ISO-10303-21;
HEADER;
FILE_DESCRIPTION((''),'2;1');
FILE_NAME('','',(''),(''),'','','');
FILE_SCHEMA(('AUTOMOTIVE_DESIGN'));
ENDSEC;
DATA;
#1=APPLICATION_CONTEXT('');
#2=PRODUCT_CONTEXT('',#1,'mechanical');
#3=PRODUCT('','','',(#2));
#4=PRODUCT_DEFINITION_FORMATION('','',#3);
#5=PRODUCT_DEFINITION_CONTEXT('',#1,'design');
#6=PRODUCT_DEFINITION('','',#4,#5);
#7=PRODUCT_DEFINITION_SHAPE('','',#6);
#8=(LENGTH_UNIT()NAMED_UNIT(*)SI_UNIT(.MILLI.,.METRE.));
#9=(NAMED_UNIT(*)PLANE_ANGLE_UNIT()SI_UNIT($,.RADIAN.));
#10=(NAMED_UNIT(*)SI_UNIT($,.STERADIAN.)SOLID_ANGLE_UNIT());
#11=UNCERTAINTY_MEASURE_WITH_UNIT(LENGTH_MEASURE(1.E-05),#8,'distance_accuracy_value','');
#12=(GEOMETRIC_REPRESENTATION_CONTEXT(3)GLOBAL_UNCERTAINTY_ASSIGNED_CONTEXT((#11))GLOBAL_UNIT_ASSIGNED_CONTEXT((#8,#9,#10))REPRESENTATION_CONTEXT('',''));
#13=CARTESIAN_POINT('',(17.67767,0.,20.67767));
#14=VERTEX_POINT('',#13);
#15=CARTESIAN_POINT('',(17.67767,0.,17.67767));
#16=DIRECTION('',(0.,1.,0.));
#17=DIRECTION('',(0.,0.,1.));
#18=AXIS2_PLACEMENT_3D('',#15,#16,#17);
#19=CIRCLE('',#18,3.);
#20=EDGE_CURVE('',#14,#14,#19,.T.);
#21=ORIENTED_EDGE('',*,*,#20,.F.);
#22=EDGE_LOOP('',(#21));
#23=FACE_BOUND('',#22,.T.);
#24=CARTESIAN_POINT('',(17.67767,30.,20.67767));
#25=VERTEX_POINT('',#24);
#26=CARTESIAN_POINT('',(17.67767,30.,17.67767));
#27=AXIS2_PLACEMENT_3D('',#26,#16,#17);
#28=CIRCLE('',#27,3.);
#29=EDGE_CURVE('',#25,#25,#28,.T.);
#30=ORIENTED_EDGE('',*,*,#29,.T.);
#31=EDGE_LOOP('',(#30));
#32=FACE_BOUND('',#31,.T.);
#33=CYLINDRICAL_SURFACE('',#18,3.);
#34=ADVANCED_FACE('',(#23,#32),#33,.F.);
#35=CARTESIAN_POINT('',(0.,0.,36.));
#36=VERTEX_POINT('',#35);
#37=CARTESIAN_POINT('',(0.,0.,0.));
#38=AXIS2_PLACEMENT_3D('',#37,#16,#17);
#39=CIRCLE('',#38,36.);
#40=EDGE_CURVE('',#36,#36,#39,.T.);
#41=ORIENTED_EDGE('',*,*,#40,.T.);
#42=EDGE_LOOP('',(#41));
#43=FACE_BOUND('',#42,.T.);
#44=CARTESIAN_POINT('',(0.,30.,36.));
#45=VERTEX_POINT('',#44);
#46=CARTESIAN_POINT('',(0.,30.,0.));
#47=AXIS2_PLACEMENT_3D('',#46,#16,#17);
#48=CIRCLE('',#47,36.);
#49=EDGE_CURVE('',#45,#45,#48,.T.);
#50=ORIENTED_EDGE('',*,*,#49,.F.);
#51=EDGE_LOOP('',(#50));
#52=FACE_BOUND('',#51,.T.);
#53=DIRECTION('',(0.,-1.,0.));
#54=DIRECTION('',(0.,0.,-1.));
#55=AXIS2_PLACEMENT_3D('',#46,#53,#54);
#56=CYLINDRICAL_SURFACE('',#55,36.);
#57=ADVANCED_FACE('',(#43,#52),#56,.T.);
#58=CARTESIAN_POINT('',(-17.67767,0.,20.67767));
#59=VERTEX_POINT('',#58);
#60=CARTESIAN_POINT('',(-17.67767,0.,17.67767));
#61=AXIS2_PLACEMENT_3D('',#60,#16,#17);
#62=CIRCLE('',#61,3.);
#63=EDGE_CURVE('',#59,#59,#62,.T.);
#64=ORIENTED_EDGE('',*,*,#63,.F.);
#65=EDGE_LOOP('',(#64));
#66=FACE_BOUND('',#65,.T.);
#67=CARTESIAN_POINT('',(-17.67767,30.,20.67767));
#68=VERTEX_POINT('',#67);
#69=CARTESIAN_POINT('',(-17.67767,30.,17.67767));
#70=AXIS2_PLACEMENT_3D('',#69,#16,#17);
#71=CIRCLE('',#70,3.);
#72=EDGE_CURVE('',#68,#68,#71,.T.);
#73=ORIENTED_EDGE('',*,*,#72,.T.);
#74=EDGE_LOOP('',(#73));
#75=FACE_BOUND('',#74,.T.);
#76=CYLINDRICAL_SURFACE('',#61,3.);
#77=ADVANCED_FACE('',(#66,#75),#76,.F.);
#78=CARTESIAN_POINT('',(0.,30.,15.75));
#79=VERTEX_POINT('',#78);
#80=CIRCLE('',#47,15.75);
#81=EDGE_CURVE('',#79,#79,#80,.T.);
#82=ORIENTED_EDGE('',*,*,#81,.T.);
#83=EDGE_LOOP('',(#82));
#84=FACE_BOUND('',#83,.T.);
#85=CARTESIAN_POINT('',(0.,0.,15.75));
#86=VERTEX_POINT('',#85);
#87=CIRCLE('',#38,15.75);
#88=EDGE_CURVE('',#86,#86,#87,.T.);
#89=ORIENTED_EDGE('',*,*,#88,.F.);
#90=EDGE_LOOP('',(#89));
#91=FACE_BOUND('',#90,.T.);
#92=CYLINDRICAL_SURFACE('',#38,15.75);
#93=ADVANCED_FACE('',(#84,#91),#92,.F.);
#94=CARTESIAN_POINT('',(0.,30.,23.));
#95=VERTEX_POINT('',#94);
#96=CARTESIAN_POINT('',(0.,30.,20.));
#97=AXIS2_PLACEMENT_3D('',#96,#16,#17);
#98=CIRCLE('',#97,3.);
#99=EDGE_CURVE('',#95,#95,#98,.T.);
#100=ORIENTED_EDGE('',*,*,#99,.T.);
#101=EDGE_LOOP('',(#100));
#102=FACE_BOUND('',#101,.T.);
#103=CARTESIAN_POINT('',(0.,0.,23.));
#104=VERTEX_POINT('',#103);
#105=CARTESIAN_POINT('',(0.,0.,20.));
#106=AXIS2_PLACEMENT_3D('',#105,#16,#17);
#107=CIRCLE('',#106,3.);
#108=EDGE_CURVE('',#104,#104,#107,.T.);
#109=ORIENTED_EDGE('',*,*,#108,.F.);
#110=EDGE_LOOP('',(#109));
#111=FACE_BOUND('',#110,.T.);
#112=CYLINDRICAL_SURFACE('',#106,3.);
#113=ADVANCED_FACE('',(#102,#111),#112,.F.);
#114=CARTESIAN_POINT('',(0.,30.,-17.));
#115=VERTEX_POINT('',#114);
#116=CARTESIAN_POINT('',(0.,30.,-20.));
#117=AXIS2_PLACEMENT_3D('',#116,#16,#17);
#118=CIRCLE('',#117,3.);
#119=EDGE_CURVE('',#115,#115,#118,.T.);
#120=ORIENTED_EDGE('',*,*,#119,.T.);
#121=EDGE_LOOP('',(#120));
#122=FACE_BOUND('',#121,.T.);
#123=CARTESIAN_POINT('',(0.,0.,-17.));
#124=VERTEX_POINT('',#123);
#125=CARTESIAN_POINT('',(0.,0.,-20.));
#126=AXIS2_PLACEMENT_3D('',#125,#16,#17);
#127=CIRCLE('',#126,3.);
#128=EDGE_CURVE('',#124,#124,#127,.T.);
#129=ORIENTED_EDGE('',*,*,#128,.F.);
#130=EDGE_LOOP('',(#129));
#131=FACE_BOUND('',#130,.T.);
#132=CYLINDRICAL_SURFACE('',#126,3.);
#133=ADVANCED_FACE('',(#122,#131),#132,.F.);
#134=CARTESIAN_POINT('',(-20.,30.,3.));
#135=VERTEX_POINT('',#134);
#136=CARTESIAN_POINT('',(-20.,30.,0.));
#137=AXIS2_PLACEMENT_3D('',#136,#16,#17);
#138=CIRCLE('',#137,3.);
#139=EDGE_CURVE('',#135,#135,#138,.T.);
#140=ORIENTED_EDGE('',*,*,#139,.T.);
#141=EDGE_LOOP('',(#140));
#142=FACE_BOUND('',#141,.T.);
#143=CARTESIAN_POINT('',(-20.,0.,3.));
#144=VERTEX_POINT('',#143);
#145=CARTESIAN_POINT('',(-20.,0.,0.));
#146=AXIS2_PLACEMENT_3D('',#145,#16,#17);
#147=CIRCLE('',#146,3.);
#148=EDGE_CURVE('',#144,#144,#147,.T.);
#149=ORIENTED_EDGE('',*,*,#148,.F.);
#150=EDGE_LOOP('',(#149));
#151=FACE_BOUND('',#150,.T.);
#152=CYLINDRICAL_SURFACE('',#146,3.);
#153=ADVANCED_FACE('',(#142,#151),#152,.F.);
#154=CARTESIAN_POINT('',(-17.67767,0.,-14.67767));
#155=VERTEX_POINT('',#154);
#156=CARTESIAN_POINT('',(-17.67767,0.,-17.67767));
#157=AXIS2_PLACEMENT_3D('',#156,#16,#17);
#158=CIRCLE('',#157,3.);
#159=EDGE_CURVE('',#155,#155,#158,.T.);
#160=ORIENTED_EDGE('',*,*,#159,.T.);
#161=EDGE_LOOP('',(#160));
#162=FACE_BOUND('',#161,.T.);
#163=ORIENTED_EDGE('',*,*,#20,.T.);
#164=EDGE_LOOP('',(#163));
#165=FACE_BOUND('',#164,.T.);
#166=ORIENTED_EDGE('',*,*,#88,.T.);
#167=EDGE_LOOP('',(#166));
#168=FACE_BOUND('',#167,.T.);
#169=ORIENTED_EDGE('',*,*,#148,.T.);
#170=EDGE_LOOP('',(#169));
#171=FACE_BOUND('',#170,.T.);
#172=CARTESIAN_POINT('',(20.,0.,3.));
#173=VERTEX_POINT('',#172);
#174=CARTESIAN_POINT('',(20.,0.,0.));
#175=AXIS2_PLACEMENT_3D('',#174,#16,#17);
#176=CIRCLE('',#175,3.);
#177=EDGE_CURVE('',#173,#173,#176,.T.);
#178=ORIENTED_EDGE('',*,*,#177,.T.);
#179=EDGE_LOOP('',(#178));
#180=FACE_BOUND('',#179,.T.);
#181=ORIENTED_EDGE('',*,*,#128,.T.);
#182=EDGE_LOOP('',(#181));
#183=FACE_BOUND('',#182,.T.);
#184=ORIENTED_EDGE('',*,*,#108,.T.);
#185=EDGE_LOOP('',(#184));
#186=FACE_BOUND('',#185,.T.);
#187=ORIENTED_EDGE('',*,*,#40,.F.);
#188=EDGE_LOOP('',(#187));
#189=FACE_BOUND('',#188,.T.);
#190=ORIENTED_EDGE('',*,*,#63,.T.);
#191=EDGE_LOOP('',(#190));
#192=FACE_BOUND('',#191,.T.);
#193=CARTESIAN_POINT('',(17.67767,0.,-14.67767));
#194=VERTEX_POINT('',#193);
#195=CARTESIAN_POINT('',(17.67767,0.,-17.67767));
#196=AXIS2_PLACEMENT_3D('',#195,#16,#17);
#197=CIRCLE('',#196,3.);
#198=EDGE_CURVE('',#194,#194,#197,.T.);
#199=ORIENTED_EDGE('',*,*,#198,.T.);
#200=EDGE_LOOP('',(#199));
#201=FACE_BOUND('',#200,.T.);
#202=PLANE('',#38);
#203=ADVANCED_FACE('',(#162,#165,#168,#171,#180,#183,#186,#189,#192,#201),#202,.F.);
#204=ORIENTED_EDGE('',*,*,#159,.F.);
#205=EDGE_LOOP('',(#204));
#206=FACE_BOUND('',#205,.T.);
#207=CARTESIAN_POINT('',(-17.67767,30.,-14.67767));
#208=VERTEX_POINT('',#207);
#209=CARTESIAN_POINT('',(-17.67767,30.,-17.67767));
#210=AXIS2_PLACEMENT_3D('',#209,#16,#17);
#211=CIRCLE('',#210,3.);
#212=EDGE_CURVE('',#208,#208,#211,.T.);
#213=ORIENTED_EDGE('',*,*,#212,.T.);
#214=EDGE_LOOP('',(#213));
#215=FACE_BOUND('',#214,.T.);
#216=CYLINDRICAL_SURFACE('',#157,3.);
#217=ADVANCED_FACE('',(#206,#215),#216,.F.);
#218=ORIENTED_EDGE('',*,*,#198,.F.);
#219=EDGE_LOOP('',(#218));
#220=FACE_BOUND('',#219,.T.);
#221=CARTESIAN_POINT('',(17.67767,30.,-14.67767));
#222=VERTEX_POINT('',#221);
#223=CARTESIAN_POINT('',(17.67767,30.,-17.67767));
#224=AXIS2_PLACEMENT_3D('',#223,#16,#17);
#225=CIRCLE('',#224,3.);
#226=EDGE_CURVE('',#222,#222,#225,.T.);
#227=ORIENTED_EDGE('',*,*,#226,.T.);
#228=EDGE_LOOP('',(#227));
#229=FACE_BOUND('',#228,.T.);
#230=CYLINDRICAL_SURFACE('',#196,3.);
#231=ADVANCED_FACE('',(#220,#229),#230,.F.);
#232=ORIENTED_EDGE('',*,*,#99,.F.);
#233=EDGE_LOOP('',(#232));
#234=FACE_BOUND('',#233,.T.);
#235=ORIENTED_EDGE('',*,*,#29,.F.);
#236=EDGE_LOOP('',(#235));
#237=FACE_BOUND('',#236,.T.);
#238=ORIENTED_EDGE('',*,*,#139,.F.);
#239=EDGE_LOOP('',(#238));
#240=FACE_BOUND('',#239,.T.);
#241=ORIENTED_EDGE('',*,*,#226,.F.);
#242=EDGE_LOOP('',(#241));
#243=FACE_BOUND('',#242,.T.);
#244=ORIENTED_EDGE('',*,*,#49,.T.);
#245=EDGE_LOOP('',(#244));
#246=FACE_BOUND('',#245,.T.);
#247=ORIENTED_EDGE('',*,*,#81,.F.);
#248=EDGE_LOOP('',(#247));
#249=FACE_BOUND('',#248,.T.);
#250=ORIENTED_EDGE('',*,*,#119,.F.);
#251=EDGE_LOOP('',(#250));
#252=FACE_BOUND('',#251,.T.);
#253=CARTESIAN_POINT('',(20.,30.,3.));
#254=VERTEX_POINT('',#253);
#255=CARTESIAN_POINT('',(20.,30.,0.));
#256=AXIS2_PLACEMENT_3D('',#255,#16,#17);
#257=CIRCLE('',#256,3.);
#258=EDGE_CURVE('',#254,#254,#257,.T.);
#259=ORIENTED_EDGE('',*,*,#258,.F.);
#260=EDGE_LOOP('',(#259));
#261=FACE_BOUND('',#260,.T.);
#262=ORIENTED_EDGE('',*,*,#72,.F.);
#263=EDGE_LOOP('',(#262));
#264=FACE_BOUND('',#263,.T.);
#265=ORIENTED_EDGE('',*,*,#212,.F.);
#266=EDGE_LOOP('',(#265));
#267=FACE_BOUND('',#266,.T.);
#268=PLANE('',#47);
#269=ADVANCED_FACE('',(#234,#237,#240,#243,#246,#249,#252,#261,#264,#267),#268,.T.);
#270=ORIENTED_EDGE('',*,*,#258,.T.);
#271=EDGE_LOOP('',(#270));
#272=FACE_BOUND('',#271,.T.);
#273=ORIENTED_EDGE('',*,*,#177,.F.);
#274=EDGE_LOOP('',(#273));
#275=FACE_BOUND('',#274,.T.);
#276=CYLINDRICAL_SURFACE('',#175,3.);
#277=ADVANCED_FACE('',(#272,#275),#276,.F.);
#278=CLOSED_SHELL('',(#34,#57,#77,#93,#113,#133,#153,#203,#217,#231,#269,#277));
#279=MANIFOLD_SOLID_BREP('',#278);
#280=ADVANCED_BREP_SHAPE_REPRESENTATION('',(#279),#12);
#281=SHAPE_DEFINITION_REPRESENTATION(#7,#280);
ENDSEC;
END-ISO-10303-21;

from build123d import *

# Parameters (mm, degrees)
SKETCH1_R           = 36
BOSS_EXTRUDE1_DEPTH = 30
SKETCH2_R           = 3
CUT_EXTRUDE1_DEPTH  = 30
SKETCH4_R           = 3
CUT_EXTRUDE2_DEPTH  = 30
SKETCH5_R           = 15.75
CUT_EXTRUDE3_DEPTH  = 30


with BuildPart() as part:
    # Sketch1 → Boss-Extrude1 (new body)
    with BuildSketch(Plane(origin=(0, 0, 0), x_dir=(1, 0, 0), z_dir=(0, 1, 0))):
        Circle(SKETCH1_R)
    extrude(amount=BOSS_EXTRUDE1_DEPTH)

    # Sketch2 → Cut-Extrude1 (cut)
    with BuildSketch(Plane(origin=(0, 30, 0), x_dir=(1, 0, 0), z_dir=(0, 1, 0))):
        with Locations((20, 0)):
            Circle(SKETCH2_R)
        with Locations((0, -20)):
            Circle(SKETCH2_R)
        with Locations((-20, 0)):
            Circle(SKETCH2_R)
        with Locations((0, 20)):
            Circle(SKETCH2_R)
    extrude(amount=-CUT_EXTRUDE1_DEPTH, mode=Mode.SUBTRACT)

    # Sketch4 → Cut-Extrude2 (cut)
    with BuildSketch(Plane(origin=(0, 30, 0), x_dir=(1, 0, 0), z_dir=(0, 1, 0))):
        with Locations((17.67766953, 17.67766953)):
            Circle(SKETCH4_R)
        with Locations((17.67766953, -17.67766953)):
            Circle(SKETCH4_R)
        with Locations((-17.67766953, -17.67766953)):
            Circle(SKETCH4_R)
        with Locations((-17.67766953, 17.67766953)):
            Circle(SKETCH4_R)
    extrude(amount=-CUT_EXTRUDE2_DEPTH, mode=Mode.SUBTRACT)

    # Sketch5 → Cut-Extrude3 (cut)
    with BuildSketch(Plane(origin=(0, 30, 0), x_dir=(1, 0, 0), z_dir=(0, 1, 0))):
        Circle(SKETCH5_R)
    extrude(amount=-CUT_EXTRUDE3_DEPTH, mode=Mode.SUBTRACT)


solid = part.part
